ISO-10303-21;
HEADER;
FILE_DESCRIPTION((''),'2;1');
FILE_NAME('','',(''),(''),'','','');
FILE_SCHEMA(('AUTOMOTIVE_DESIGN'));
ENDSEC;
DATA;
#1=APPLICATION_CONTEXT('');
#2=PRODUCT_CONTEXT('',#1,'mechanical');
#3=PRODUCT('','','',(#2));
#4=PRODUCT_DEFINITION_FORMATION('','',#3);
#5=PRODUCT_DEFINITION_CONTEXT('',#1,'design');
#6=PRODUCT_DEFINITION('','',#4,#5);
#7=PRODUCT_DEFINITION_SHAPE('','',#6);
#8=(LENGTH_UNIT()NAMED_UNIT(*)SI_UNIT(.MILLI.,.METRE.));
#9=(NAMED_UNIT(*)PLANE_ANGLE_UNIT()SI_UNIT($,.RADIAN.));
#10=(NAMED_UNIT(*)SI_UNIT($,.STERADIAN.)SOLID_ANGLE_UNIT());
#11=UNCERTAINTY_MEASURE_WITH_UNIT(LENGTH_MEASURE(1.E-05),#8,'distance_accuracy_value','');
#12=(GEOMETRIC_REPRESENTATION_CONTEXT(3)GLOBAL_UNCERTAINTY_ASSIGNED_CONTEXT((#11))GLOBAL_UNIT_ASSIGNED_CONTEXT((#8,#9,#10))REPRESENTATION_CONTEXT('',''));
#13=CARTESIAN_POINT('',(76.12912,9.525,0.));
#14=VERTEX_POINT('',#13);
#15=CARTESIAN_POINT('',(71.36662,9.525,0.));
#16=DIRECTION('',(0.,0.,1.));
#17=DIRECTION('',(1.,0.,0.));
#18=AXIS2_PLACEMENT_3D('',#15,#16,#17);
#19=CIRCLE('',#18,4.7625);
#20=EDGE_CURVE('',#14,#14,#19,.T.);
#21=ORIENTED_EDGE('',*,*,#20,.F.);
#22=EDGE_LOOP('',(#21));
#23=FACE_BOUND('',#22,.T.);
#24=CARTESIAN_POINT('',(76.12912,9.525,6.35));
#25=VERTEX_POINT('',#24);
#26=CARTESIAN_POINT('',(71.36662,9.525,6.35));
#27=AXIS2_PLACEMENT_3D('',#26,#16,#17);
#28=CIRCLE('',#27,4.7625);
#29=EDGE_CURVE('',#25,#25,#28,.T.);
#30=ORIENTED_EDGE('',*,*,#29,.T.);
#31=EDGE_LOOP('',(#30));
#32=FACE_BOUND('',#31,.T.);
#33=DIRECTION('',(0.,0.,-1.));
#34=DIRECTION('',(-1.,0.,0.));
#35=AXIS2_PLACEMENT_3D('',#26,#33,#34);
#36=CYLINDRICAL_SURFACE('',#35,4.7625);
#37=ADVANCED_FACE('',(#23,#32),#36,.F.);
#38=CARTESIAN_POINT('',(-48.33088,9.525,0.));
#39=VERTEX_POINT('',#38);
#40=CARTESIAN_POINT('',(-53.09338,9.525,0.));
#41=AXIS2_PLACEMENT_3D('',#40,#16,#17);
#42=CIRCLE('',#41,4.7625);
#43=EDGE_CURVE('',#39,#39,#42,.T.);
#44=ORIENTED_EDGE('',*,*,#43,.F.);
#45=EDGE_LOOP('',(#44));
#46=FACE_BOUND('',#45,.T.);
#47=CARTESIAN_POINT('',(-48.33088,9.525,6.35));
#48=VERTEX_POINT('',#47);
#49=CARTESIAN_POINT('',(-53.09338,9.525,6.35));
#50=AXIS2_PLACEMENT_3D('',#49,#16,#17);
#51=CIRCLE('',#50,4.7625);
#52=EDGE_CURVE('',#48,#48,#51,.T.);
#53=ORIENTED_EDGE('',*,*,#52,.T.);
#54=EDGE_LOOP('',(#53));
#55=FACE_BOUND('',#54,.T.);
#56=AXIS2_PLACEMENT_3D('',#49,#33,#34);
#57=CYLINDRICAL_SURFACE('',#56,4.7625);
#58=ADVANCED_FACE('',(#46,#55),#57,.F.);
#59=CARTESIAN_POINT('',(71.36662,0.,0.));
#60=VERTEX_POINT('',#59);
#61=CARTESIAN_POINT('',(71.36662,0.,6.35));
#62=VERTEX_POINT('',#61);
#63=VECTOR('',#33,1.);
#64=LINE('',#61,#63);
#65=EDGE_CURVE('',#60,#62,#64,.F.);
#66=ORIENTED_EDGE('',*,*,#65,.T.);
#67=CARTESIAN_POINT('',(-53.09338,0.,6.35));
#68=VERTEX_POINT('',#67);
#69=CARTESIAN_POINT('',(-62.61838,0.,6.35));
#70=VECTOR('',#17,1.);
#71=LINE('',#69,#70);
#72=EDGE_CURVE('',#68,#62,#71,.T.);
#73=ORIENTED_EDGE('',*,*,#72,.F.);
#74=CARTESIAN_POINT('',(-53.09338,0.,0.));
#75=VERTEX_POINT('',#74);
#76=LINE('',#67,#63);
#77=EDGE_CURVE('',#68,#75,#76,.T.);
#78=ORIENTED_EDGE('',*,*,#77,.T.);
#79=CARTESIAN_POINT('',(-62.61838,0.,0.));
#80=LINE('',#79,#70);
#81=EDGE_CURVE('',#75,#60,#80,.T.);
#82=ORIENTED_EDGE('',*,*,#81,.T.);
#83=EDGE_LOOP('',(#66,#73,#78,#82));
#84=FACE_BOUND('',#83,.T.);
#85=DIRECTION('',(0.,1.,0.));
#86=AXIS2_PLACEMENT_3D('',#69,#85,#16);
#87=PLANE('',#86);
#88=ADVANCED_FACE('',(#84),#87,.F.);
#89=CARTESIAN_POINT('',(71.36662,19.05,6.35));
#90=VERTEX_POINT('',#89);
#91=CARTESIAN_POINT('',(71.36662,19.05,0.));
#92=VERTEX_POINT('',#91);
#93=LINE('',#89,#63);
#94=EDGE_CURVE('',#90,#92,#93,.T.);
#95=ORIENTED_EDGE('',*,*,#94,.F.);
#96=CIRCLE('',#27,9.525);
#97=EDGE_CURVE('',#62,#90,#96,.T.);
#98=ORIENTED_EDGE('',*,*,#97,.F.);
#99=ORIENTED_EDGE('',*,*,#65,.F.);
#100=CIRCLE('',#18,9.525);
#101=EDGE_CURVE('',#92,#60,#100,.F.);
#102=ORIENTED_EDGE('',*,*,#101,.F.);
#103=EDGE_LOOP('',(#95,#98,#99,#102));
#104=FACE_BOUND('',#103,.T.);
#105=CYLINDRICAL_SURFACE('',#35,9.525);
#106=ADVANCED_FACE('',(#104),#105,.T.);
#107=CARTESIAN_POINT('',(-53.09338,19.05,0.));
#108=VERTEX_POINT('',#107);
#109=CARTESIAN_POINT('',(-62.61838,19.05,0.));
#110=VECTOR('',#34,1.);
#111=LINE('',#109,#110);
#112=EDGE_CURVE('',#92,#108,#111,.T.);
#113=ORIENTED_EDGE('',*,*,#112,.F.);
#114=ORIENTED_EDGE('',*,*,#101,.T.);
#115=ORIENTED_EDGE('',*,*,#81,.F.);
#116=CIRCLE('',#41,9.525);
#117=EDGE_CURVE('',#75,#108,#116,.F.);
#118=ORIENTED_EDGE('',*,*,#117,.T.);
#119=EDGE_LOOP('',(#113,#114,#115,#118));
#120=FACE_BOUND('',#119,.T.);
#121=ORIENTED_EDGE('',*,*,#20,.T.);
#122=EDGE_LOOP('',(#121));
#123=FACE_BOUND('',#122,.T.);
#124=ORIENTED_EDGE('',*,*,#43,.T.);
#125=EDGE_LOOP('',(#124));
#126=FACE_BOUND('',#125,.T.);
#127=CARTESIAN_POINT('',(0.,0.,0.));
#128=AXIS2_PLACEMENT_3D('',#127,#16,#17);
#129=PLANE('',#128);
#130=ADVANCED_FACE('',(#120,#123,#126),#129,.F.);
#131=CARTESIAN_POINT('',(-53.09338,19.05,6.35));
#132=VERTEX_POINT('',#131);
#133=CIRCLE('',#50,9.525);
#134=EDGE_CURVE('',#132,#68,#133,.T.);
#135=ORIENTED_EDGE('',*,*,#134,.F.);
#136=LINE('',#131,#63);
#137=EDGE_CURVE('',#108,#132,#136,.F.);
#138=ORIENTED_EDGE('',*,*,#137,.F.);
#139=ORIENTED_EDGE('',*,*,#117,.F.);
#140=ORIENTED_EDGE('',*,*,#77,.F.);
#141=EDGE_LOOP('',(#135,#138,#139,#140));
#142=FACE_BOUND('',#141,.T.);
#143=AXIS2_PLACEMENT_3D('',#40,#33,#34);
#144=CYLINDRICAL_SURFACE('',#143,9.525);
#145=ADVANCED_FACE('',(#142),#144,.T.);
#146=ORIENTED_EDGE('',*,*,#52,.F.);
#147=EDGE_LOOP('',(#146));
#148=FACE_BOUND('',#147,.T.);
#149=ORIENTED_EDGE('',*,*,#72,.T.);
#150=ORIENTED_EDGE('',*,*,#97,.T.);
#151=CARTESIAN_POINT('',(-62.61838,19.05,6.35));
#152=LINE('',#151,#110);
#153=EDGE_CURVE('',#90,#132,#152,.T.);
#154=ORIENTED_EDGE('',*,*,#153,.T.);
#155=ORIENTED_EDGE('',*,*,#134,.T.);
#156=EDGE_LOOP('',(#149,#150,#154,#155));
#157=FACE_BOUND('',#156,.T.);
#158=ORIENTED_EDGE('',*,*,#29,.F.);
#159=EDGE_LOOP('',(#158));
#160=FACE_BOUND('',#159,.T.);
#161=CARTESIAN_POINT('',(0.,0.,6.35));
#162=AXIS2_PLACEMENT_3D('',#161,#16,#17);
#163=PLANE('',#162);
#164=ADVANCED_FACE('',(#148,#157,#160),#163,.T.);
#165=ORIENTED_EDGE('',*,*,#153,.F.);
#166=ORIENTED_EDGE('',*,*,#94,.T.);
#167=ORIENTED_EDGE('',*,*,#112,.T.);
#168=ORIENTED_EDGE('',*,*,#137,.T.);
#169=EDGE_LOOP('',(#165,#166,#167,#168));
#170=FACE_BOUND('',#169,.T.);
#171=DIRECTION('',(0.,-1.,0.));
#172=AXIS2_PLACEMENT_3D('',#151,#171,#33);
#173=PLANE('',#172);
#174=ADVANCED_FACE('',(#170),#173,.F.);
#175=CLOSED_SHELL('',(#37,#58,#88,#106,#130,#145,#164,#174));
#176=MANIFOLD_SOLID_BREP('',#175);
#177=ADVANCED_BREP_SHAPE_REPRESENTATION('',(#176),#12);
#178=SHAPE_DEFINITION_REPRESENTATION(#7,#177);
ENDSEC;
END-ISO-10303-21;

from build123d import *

# Parameters (mm, degrees)
SKETCH1_W           = 143.51
SKETCH1_H           = 19.05
BOSS_EXTRUDE1_DEPTH = 6.35
SKETCH3_R           = 4.7625
CUT_EXTRUDE1_DEPTH  = 6.35
FILLET5_RADIUS      = 9.525
FILLET5_LENGTH      = 6.35
FILLET6_RADIUS      = 9.525
FILLET6_LENGTH      = 6.35


with BuildPart() as part:
    # Sketch1 → Boss-Extrude1 (new body)
    with BuildSketch(Plane.XY):
        with Locations((9.136619712, 9.525)):
            Rectangle(SKETCH1_W, SKETCH1_H)
    extrude(amount=BOSS_EXTRUDE1_DEPTH)

    # Sketch3 → Cut-Extrude1 (cut)
    with BuildSketch(Plane.XY):
        with Locations((-53.093380288, 9.525)):
            Circle(SKETCH3_R)
        with Locations((71.366619712, 9.525)):
            Circle(SKETCH3_R)
    extrude(amount=CUT_EXTRUDE1_DEPTH, mode=Mode.SUBTRACT)

    # Fillet5: full round fillet: the end face becomes a half cylinder, R = half its width
    fillet5_face = Plane((-62.618380288, 9.525, 3.175), x_dir=(0, 0, -1), z_dir=(-1, 0, 0))  # on the end face: x along it, z out of the body
    fillet5_slab = fillet5_face.offset(-FILLET5_RADIUS / 2) * Box(FILLET5_LENGTH, 2 * FILLET5_RADIUS, FILLET5_RADIUS, mode=Mode.PRIVATE)  # the body's end, R deep
    fillet5_round = Plane((-53.093380288, 9.525, 3.175), x_dir=(-1, 0, 0), z_dir=(0, 0, -1)) * Cylinder(FILLET5_RADIUS, FILLET5_LENGTH, mode=Mode.PRIVATE)  # its axis R under the face
    add(fillet5_slab - fillet5_round, mode=Mode.SUBTRACT)

    # Fillet6: full round fillet: the end face becomes a half cylinder, R = half its width
    fillet6_face = Plane((80.891619712, 9.525, 3.175), x_dir=(0, 0, 1), z_dir=(1, 0, 0))  # on the end face: x along it, z out of the body
    fillet6_slab = fillet6_face.offset(-FILLET6_RADIUS / 2) * Box(FILLET6_LENGTH, 2 * FILLET6_RADIUS, FILLET6_RADIUS, mode=Mode.PRIVATE)  # the body's end, R deep
    fillet6_round = Plane((71.366619712, 9.525, 3.175), x_dir=(1, 0, 0), z_dir=(0, 0, 1)) * Cylinder(FILLET6_RADIUS, FILLET6_LENGTH, mode=Mode.PRIVATE)  # its axis R under the face
    add(fillet6_slab - fillet6_round, mode=Mode.SUBTRACT)


solid = part.part
